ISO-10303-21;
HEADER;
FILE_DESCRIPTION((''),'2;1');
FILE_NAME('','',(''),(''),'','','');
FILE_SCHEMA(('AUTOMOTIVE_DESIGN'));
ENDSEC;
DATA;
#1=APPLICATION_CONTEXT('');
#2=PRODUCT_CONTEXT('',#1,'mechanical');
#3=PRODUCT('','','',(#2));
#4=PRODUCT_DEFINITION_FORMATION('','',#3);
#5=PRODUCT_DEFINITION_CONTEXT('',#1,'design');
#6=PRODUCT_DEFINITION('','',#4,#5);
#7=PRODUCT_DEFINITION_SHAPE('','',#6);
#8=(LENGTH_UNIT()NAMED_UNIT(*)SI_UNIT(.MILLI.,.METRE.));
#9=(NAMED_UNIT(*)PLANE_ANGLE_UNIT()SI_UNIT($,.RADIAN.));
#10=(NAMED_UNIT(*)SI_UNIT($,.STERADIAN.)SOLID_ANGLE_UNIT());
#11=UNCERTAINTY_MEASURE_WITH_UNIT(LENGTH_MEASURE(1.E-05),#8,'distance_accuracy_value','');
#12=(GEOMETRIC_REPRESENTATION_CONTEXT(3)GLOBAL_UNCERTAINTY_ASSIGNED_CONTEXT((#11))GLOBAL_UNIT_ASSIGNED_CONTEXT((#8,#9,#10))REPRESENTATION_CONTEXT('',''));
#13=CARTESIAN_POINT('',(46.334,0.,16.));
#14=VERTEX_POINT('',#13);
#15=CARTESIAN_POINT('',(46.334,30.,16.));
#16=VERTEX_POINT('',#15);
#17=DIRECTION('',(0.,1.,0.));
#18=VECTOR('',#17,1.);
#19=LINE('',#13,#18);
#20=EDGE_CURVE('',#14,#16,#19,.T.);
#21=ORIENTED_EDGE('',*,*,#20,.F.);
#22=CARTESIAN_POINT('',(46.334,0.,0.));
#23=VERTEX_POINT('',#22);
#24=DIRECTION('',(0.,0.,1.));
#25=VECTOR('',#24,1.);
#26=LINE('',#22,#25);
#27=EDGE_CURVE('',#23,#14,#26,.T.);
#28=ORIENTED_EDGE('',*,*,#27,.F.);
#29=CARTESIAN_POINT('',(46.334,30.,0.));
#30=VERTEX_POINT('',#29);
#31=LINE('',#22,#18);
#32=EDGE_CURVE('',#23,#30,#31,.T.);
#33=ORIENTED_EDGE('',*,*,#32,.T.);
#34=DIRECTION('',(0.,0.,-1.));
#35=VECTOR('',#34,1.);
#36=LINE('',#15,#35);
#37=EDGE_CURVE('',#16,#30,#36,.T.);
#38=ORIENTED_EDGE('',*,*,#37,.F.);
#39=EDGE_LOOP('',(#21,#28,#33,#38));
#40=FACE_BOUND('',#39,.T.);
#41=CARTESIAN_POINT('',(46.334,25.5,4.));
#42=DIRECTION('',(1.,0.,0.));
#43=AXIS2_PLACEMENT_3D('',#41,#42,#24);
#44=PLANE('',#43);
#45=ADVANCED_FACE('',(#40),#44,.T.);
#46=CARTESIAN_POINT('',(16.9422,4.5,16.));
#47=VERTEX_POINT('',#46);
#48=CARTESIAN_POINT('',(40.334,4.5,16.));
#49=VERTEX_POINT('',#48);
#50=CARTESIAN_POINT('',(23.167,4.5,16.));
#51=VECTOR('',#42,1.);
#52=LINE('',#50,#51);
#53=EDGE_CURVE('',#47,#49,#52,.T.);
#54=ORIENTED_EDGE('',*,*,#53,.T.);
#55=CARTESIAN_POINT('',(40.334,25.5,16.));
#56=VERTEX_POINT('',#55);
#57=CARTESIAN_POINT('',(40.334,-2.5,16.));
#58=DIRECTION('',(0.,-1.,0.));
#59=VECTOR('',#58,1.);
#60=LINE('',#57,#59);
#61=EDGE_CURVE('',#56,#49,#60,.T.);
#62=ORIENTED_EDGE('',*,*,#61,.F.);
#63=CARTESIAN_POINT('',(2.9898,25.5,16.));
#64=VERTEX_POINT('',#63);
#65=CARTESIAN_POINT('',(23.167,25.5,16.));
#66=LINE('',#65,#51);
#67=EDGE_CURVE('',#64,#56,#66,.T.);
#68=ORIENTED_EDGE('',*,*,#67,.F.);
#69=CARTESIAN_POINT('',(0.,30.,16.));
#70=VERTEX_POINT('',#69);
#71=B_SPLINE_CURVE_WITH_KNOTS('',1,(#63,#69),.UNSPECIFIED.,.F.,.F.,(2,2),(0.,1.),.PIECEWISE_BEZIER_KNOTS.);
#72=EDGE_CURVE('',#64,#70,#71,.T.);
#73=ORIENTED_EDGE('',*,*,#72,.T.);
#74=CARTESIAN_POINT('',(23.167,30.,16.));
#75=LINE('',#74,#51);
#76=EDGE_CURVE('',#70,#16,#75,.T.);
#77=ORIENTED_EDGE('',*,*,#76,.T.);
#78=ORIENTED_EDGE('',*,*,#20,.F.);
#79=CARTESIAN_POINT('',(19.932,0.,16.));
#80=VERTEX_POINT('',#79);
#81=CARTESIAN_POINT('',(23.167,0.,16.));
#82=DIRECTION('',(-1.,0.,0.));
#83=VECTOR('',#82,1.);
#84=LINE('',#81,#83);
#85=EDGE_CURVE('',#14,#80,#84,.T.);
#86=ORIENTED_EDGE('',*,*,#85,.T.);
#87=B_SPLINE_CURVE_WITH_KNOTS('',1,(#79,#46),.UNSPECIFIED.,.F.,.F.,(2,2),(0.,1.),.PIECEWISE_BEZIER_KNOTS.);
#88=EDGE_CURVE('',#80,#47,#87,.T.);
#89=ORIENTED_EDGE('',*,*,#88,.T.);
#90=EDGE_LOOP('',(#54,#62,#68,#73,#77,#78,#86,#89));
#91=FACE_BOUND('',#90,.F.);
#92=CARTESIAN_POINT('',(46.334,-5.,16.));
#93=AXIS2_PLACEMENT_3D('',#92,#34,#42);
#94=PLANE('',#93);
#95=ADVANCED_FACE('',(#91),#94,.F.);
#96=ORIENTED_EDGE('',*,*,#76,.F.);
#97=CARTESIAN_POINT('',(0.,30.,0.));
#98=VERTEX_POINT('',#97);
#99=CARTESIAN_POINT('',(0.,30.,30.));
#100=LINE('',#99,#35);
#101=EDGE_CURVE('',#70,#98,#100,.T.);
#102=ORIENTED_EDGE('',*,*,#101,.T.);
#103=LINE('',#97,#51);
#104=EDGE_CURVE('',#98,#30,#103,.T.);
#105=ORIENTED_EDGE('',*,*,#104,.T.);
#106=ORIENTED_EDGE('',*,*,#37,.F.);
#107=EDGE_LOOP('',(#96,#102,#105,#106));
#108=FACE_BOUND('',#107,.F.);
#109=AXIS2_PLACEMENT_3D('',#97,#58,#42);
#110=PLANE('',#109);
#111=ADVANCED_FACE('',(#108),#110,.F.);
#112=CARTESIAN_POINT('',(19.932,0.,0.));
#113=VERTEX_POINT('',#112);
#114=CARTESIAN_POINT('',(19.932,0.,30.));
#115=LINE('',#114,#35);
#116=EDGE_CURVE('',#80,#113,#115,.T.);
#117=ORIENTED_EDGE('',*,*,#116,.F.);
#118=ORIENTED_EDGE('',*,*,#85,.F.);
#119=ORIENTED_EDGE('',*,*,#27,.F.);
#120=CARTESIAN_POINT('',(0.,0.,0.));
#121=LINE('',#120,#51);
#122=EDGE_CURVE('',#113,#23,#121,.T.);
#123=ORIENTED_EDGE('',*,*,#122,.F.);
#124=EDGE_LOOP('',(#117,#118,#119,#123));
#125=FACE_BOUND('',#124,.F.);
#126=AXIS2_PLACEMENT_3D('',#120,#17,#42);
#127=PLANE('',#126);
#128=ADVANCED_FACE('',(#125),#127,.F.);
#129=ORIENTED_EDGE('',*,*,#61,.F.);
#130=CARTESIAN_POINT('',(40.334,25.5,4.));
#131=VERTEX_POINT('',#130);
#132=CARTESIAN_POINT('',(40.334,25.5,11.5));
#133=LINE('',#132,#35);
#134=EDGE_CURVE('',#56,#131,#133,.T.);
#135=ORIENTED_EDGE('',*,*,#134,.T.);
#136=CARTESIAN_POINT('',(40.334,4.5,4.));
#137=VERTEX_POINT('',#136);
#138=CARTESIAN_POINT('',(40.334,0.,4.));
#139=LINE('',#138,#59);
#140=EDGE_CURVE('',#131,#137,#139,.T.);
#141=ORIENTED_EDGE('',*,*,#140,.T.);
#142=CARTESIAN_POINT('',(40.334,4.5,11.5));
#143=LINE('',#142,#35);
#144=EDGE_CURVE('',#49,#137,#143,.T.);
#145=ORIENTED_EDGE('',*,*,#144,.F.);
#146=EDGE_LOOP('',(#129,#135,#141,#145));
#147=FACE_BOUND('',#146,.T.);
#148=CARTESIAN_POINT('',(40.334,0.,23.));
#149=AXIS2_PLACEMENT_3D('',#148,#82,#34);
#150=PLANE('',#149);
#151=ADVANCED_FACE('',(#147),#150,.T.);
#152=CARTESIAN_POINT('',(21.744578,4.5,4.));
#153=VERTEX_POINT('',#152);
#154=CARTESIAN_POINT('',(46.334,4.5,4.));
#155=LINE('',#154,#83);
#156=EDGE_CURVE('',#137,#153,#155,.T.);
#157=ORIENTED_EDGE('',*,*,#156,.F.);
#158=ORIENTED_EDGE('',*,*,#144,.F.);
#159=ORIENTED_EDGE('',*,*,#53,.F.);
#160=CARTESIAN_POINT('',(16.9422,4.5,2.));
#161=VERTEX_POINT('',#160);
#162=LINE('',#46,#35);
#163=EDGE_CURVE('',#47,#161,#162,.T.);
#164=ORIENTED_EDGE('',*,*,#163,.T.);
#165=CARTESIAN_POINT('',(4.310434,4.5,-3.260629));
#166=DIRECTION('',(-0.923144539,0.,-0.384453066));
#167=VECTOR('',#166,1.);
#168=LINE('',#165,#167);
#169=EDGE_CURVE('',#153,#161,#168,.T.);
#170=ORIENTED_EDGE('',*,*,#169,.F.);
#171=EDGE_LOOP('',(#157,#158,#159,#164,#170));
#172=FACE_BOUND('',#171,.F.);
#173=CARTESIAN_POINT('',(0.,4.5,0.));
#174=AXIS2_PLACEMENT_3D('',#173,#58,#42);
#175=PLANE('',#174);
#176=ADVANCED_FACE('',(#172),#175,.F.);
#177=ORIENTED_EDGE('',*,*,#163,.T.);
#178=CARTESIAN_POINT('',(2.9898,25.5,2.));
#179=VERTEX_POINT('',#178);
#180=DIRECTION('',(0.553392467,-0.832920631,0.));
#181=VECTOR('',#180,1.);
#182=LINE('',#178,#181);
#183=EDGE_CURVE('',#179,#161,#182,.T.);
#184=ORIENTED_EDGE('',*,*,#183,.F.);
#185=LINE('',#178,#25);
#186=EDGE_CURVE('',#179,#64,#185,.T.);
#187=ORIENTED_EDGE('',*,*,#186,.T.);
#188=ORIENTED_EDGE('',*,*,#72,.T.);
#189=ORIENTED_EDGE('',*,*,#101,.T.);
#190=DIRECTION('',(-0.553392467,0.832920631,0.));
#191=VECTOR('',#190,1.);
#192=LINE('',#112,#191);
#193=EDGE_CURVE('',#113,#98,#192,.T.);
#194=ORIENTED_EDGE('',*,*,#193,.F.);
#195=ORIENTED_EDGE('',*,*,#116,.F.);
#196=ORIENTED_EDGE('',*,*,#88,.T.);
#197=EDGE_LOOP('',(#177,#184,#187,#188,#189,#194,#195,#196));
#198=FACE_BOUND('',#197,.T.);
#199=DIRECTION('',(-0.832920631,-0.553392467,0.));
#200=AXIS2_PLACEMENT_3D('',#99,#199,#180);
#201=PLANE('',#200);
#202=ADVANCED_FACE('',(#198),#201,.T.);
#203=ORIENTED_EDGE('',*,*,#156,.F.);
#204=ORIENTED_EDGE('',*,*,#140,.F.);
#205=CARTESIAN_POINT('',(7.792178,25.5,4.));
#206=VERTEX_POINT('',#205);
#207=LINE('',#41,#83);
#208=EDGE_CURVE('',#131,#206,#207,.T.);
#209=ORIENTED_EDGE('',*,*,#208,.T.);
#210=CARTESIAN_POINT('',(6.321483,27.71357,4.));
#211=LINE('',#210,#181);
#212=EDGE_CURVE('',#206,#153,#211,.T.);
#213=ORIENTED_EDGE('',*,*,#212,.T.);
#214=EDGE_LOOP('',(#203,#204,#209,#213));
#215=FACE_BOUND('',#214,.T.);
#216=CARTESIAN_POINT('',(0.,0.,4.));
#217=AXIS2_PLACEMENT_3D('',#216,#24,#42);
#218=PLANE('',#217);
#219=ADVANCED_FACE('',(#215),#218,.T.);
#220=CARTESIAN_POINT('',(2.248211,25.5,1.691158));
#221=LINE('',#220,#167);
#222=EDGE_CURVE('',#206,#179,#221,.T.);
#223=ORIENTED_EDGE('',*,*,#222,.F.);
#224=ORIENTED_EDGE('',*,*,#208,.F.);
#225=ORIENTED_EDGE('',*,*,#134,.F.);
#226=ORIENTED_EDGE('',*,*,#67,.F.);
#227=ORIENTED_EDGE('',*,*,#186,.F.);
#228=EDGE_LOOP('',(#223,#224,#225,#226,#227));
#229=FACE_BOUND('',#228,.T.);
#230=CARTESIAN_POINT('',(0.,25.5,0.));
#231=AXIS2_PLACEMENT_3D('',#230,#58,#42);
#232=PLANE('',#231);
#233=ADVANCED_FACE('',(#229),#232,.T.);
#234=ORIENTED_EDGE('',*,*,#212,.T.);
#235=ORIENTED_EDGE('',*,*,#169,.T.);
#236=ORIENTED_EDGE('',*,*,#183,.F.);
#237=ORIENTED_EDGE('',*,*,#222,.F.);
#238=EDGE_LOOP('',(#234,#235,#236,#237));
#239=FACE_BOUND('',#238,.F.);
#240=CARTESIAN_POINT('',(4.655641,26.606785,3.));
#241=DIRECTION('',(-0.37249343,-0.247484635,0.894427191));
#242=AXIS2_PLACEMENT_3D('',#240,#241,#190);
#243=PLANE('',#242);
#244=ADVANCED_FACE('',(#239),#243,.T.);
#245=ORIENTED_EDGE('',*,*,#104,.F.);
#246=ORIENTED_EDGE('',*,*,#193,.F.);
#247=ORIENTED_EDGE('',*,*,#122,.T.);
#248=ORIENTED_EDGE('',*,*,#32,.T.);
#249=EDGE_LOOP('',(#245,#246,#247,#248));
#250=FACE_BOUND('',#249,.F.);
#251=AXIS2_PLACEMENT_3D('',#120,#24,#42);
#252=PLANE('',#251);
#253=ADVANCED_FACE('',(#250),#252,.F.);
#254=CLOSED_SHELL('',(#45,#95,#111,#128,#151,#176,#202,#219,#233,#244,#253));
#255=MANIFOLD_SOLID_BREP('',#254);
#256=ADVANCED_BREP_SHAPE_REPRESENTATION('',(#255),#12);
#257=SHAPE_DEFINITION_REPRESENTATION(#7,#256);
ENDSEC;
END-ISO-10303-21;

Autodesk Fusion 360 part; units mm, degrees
sketch "Base" plane through (0, 0, 0) normal (0, 0, 1) x (1, 0, 0) in component "Colour Sensor Holder Bottom"
  line L0 (0, 0) -> (46.334, 0)
  line L1 (46.334, 0) -> (46.334, 30)
  line L2 (46.334, 30) -> (0, 30)
  line L3 (0, 30) -> (0, 0)
  dimension "d2" = 46.334
  dimension "d3" = 30
extrude "Extrude1" add sketch "Base" along normal blind 4 in component "Colour Sensor Holder Bottom"
sketch "Side Profile" plane through (0, 0, 0) normal (0, -1, 0) x (1, 0, 0) in component "Colour Sensor Holder Bottom"
  line L0 (0, 0) -> (46.334, 0)
  line L1 (46.334, 0) -> (46.334, 4)
  line L2 (46.334, 4) -> (0, 4)
  line L3 (0, 4) -> (0, 0)
  line L4 (46.334, 4) -> (46.334, 16)
  line L5 (46.334, 16) -> (80.334, 16)
  line L6 (80.334, 16) -> (80.334, 30)
  line L7 (80.334, 30) -> (0, 30)
  line L8 (0, 30) -> (0, 4)
  dimension "d6" = 12
  dimension "d7" = 34
  dimension "d8" = 14
  dimension "d11" = 46.334
  dimension "d52" = 80.334
extrude "Extrude2" add sketch "Side Profile" against normal blind 4.5 contours L2 L4 L5 L6 L7 L8 in component "Colour Sensor Holder Bottom"
extrude "Extrude3" add sketch "Side Profile" against normal blind 4.5 from surface at -25.5 contours L2 L4 L5 L6 L7 L8 in component "Colour Sensor Holder Bottom"
sketch "Front End" plane through (0, 0, 0) normal (0, -1, 0) x (1, 0, 0) in component "Colour Sensor Holder Bottom"
  line L0 (0, 0) -> (46.334, 0)
  line L1 (46.334, 0) -> (46.334, 16)
  line L2 (46.334, 16) -> (80.334, 16)
  line L3 (80.334, 16) -> (80.334, 30)
  line L4 (80.334, 30) -> (0, 30)
  line L5 (0, 30) -> (0, 0)
  line L6 (80.334, 30) -> (76.034, 30)
  line L7 (76.034, 30) -> (76.034, 16)
  line L8 (76.034, 16) -> (80.334, 16)
  line L9 (80.334, 16) -> (80.334, 30)
  dimension "d17" = 4.3
extrude "Extrude4" add sketch "Front End" against normal blind 30 contours L2 L3 L4 L6 L7 L8 L9 in component "Colour Sensor Holder Bottom"
sketch "Middle End" plane through (0, 0, 0) normal (0, -1, 0) x (1, 0, 0) in component "Colour Sensor Holder Bottom"
  line L0 (80.334, 30) -> (0, 30)
  line L1 (0, 30) -> (0, 0)
  line L2 (0, 0) -> (46.334, 0)
  line L3 (46.334, 0) -> (46.334, 16)
  line L4 (46.334, 16) -> (80.334, 16)
  line L5 (80.334, 16) -> (80.334, 30)
  line L6 (46.334, 23) -> (40.334, 23)
  line L7 (40.334, 23) -> (40.334, 0)
  line L8 (40.334, 0) -> (46.334, 0)
  line L9 (46.334, 0) -> (46.334, 23)
  dimension "d20" = 7
  dimension "d21" = 6
extrude "Extrude5" add sketch "Middle End" against normal blind 30 contours L2 L3 L6 L7 L8 L9 in component "Colour Sensor Holder Bottom"
sketch "Lip" plane through (76.034, 0, 0) normal (-1, 0, 0) x (0, -1, 0) in component "Colour Sensor Holder Bottom"
  line L0 (-25.5, 30) -> (-25.5, 16)
  line L1 (-25.5, 16) -> (-4.5, 16)
  line L2 (-4.5, 16) -> (-4.5, 30)
  line L3 (-4.5, 30) -> (-25.5, 30)
  line L4 (-18, 25) -> (-12, 25)
  line L5 (-12, 25) -> (-12, 21)
  line L6 (-12, 21) -> (-18, 21)
  line L7 (-18, 21) -> (-18, 25)
  dimension "d24" = 5
  dimension "d25" = 6
  dimension "d26" = 4
  dimension "d27" = 7.5
extrude "Extrude6" add sketch "Lip" along normal blind 4 contours L4 L5 L6 L7 in component "Colour Sensor Holder Bottom"
sketch "Magnet Holders" plane through (0, 0, 30) normal (0, 0, 1) x (-1, 0, 0) in component "Colour Sensor Holder Bottom"
  line L0 (-80.334, -30) -> (0, -30)
  line L1 (0, -30) -> (0, -25.5)
  line L2 (0, -25.5) -> (-76.034, -25.5)
  line L3 (-76.034, -25.5) -> (-76.034, -4.5)
  line L4 (-76.034, -4.5) -> (0, -4.5)
  line L5 (0, -4.5) -> (0, 0)
  line L6 (0, 0) -> (-80.334, 0)
  line L7 (-80.334, 0) -> (-80.334, -30)
  circle A0 centre (-68.334, -30) radius 5
  circle A1 centre (-38.334, -30) radius 5
  circle A2 centre (-38.334, 0) radius 5
  circle A3 centre (-68.334, 0) radius 5
  circle A4 centre (-38.334, 0) radius 2.75
  circle A5 centre (-68.334, 0) radius 2.75
  circle A6 centre (-38.334, -30) radius 2.75
  circle A7 centre (-68.334, -30) radius 2.75
  dimension "d33" = 10
  dimension "d34" = 10
  dimension "d35" = 10
  dimension "d36" = 10
  dimension "d37" = 12
  dimension "d38" = 12
  dimension "d43" = 5.5
  dimension "d44" = 5.5
  dimension "d45" = 5.5
  dimension "d46" = 5.5
  dimension "d50" = 42
  dimension "d51" = 42
extrude "Extrude8" add sketch "Magnet Holders" against normal blind 4 contours L0 A7 | L0 A0 A7 | L0 A1 A6 | L0 A6 | L6 A3 A5 | L6 A5 | L6 A2 A4 | L6 A4 picked at (-68.2655, -30.9141) picked at (-37.4674, -30.6679) picked at (-68.2655, 0.9141) picked at (-39.0365, 1.0303) in component "Colour Sensor Holder Bottom"
extrude "Extrude9" cut sketch "Magnet Holders" against normal blind 1.5 contours L0 A7 | L0 A7 | L0 A6 | L0 A6 | L6 A5 | L6 A5 | L6 A4 | L6 A4 in component "Colour Sensor Holder Bottom"
sketch "Conduit Angle" plane through (0, 0, 30) normal (0, 0, 1) x (-1, 0, 0) in component "Colour Sensor Holder Bottom"
  circle A0 centre (-68.334, 0) radius 2.75
  circle A1 centre (-38.334, -30) radius 2.75
  circle A2 centre (-38.334, 0) radius 2.75
  circle A3 centre (-68.334, -30) radius 2.75
  line L0 (-33.334, -30) -> (0, -30)
  line L1 (0, -30) -> (0, -25.5)
  line L2 (0, -25.5) -> (-76.034, -25.5)
  line L3 (-76.034, -25.5) -> (-76.034, -4.5)
  line L4 (-76.034, -4.5) -> (0, -4.5)
  line L5 (0, -4.5) -> (0, 0)
  line L6 (0, 0) -> (-33.334, 0)
  arc A4 (-33.334, 0) -> (-43.334, 0) centre (-38.334, 0) ccw
  line L7 (-43.334, 0) -> (-63.334, 0)
  arc A5 (-63.334, 0) -> (-73.334, 0) centre (-68.334, 0) ccw
  line L8 (-73.334, 0) -> (-80.334, 0)
  line L9 (-80.334, 0) -> (-80.334, -30)
  line L10 (-80.334, -30) -> (-73.334, -30)
  arc A6 (-73.334, -30) -> (-63.334, -30) centre (-68.334, -30) ccw
  line L11 (-63.334, -30) -> (-43.334, -30)
  arc A7 (-43.334, -30) -> (-33.334, -30) centre (-38.334, -30) ccw
  line L12 (-40.334, -4.5) -> (-40.334, -25.5)
  line L13 (-40.334, -25.5) -> (0, -25.5)
  line L14 (0, -25.5) -> (0, -4.5)
  line L15 (0, -4.5) -> (-40.334, -4.5)
  line L16 (0, -30) -> (-19.932, 0)
  dimension "d53" = 33.6
extrude "Extrude10" cut sketch "Conduit Angle" against normal blind 30 contours L1 L2 L13 L16 | L2 L4 L13 L14 L15 L16 | L4 L5 L6 L15 L16 in component "Colour Sensor Holder Bottom"
sketch "Conduit Height" plane through (13.8279, 9.1873, 0) normal (-0.8329, -0.5534, 0) x (0.5534, -0.8329, 0) in component "Colour Sensor Holder Bottom"
  line L0 (-19.585, 4) -> (-19.585, 30)
  line L1 (-19.585, 30) -> (-24.9876, 30)
  line L2 (-24.9876, 30) -> (-24.9876, 0)
  line L3 (-24.9876, 0) -> (11.0302, 0)
  line L4 (11.0302, 0) -> (11.0302, 30)
  line L5 (11.0302, 30) -> (5.6275, 30)
  line L6 (5.6275, 30) -> (5.6275, 4)
  line L7 (5.6275, 4) -> (-19.585, 4)
  line L8 (-24.9876, 0) -> (11.0302, 0)
  line L9 (11.0302, 0) -> (11.0302, 16)
  line L10 (11.0302, 16) -> (-24.9876, 16)
  line L11 (-24.9876, 16) -> (-24.9876, 0)
  point P0 (5.6275, 16)
  point P1 (-19.585, 16)
  dimension "d56" = 16
sketch "Colour Sensor Cover Shape" plane through (0, 0, 30) normal (0, 0, 1) x (-1, 0, 0) in component "Colour Sensor Holder Bottom"
  line L0 (0, -30) -> (-2.9898, -25.5)
  line L1 (-2.9898, -25.5) -> (-76.034, -25.5)
  line L2 (-76.034, -25.5) -> (-76.034, -4.5)
  line L3 (-76.034, -4.5) -> (-16.9422, -4.5)
  line L4 (-16.9422, -4.5) -> (-19.932, 0)
  line L5 (-19.932, 0) -> (-33.334, 0)
  arc A0 (-33.334, 0) -> (-43.334, 0) centre (-38.334, 0) ccw
  line L6 (-43.334, 0) -> (-63.334, 0)
  arc A1 (-63.334, 0) -> (-73.334, 0) centre (-68.334, 0) ccw
  line L7 (-73.334, 0) -> (-80.334, 0)
  line L8 (-80.334, 0) -> (-80.334, -30)
  line L9 (-80.334, -30) -> (-73.334, -30)
  arc A2 (-73.334, -30) -> (-63.334, -30) centre (-68.334, -30) ccw
  line L10 (-63.334, -30) -> (-43.334, -30)
  arc A3 (-43.334, -30) -> (-33.334, -30) centre (-38.334, -30) ccw
  line L11 (-33.334, -30) -> (0, -30)
  circle A4 centre (-68.334, 0) radius 2.75
  circle A5 centre (-38.334, -30) radius 2.75
  circle A6 centre (-38.334, 0) radius 2.75
  circle A7 centre (-68.334, -30) radius 2.75
  line L12 (-33.334, -30) -> (-33.334, 0)
  point P0 (-33.334, -25.5)
  point P1 (-33.334, -4.5)
sketch "Right Loft Outside Shape" plane through (0, 0, 0) normal (0, -1, 0) x (1, 0, 0) in component "Colour Sensor Holder Bottom"
  line L0 (19.932, 30) -> (19.932, 0)
  line L1 (19.932, 0) -> (46.334, 0)
  line L2 (46.334, 0) -> (46.334, 16)
  line L3 (46.334, 16) -> (80.334, 16)
  line L4 (80.334, 16) -> (80.334, 30)
  line L5 (80.334, 30) -> (73.334, 30)
  line L6 (73.334, 30) -> (73.334, 26)
  line L7 (73.334, 26) -> (63.334, 26)
  line L8 (63.334, 26) -> (63.334, 30)
  line L9 (63.334, 30) -> (43.334, 30)
  line L10 (43.334, 30) -> (43.334, 26)
  line L11 (43.334, 26) -> (33.334, 26)
  line L12 (33.334, 26) -> (33.334, 30)
  line L13 (33.334, 30) -> (19.932, 30)
  line L14 (33.334, 30) -> (19.932, 16)
  point P0 (33.334, 30)
  point P1 (19.932, 16)
sketch "Right Loft Inside Shape" plane through (0, 4.5, 0) normal (0, 1, 0) x (-1, 0, 0) in component "Colour Sensor Holder Bottom"
  line L0 (-16.9422, 4) -> (-16.9422, 30)
  line L1 (-16.9422, 30) -> (-76.034, 30)
  line L2 (-76.034, 30) -> (-76.034, 16)
  line L3 (-76.034, 16) -> (-46.334, 16)
  line L4 (-46.334, 16) -> (-46.334, 23)
  line L5 (-46.334, 23) -> (-40.334, 23)
  line L6 (-40.334, 23) -> (-40.334, 4)
  line L7 (-40.334, 4) -> (-16.9422, 4)
  line L8 (-33.334, 30) -> (-16.9422, 16)
  point P0 (-33.334, 30)
  point P1 (-16.9422, 16)
sketch "Left Loft Inside Shape" plane through (0, 25.5, 0) normal (0, -1, 0) x (1, 0, 0) in component "Colour Sensor Holder Bottom"
  line L0 (2.9898, 30) -> (2.9898, 4)
  line L1 (2.9898, 4) -> (40.334, 4)
  line L2 (40.334, 4) -> (40.334, 23)
  line L3 (40.334, 23) -> (46.334, 23)
  line L4 (46.334, 23) -> (46.334, 16)
  line L5 (46.334, 16) -> (76.034, 16)
  line L6 (76.034, 16) -> (76.034, 30)
  line L7 (76.034, 30) -> (2.9898, 30)
  line L8 (33.334, 30) -> (2.9898, 16)
  point P0 (33.334, 30)
  point P1 (2.9898, 16)
sketch "Left Loft Outside Shape" plane through (0, 30, 0) normal (0, 1, 0) x (-1, 0, 0) in component "Colour Sensor Holder Bottom"
  line L0 (-33.334, 30) -> (-33.334, 26)
  line L1 (-33.334, 26) -> (-43.334, 26)
  line L2 (-43.334, 26) -> (-43.334, 30)
  line L3 (-43.334, 30) -> (-63.334, 30)
  line L4 (-63.334, 30) -> (-63.334, 26)
  line L5 (-63.334, 26) -> (-73.334, 26)
  line L6 (-73.334, 26) -> (-73.334, 30)
  line L7 (-73.334, 30) -> (-80.334, 30)
  line L8 (-80.334, 30) -> (-80.334, 16)
  line L9 (-80.334, 16) -> (-46.334, 16)
  line L10 (-46.334, 16) -> (-46.334, 0)
  line L11 (-46.334, 0) -> (0, 0)
  line L12 (0, 0) -> (0, 30)
  line L13 (0, 30) -> (-33.334, 30)
  line L14 (-33.334, 30) -> (0, 16)
  point P0 (-33.334, 30)
  point P1 (0, 16)
loft "Loft1" cut profiles "Right Loft Outside Shape", "Right Loft Inside Shape" section 1 contours L0 L13 L14 section 2 contours L0 L1 L8 in component "Colour Sensor Holder Bottom"
loft "Loft2" cut profiles "Left Loft Inside Shape", "Left Loft Outside Shape" section 1 contours L0 L7 L8 section 2 contours L12 L13 L14 in component "Colour Sensor Holder Bottom"
chamfer "Chamfer2" distance 4 distance2 2 1 edges at (9.966, 15, 4) measured on face at (20.0887, 18.5, 4) in component "Colour Sensor Holder Bottom"
sketch "Top and Middle Segments" plane through (0, 0, 0) normal (0, -1, 0) x (1, 0, 0)
  line L0 (33.334, 30) -> (19.932, 16)
  line L1 (19.932, 16) -> (19.932, 0)
  line L2 (19.932, 0) -> (46.334, 0)
  line L3 (46.334, 0) -> (46.334, 16)
  line L4 (46.334, 16) -> (80.334, 16)
  line L5 (80.334, 16) -> (80.334, 30)
  line L6 (80.334, 30) -> (73.334, 30)
  line L7 (73.334, 30) -> (73.334, 26)
  line L8 (73.334, 26) -> (63.334, 26)
  line L9 (63.334, 26) -> (63.334, 30)
  line L10 (63.334, 30) -> (43.334, 30)
  line L11 (43.334, 30) -> (43.334, 26)
  line L12 (43.334, 26) -> (33.334, 26)
  line L13 (33.334, 26) -> (33.334, 30)
  line L14 (16.9422, 16) -> (16.9422, 2)
  line L15 (16.9422, 2) -> (2.9898, 2)
  line L16 (2.9898, 2) -> (2.9898, 16)
  line L17 (2.9898, 16) -> (0, 16)
  line L18 (0, 16) -> (0, 0)
  line L19 (0, 0) -> (19.932, 0)
  line L20 (19.932, 0) -> (19.932, 16)
  line L21 (19.932, 16) -> (16.9422, 16)
  line L22 (0, 16) -> (80.334, 16)
  line L23 (80.334, 16) -> (80.334, 30)
  line L24 (80.334, 30) -> (0, 30)
  line L25 (0, 30) -> (0, 16)
extrude "Extrude11" cut sketch "Top and Middle Segments" along normal blind -35 and the other way blind -5 contours L0 L4 L5 L6 L7 L8 L9 L10 L11 L12 L13 L22 L23 L24 | L11 L12 L13 L24 | L0 L17 L21 L22 L24 L25 | L7 L8 L9 L24 in component "Colour Sensor Holder Bottom"
component "Colour Sensor Holder Bottom" placed x (1, 0, 0) y (0, 1, 0) z (0, 0, 1) at (0, 0, 0)
equation "base_plate_thickness = 4 mm"
equation "d4 = base_plate_thickness"
equation "d37 = 7 mm + 5 mm"
equation "d38 = 7 mm + 5 mm"
